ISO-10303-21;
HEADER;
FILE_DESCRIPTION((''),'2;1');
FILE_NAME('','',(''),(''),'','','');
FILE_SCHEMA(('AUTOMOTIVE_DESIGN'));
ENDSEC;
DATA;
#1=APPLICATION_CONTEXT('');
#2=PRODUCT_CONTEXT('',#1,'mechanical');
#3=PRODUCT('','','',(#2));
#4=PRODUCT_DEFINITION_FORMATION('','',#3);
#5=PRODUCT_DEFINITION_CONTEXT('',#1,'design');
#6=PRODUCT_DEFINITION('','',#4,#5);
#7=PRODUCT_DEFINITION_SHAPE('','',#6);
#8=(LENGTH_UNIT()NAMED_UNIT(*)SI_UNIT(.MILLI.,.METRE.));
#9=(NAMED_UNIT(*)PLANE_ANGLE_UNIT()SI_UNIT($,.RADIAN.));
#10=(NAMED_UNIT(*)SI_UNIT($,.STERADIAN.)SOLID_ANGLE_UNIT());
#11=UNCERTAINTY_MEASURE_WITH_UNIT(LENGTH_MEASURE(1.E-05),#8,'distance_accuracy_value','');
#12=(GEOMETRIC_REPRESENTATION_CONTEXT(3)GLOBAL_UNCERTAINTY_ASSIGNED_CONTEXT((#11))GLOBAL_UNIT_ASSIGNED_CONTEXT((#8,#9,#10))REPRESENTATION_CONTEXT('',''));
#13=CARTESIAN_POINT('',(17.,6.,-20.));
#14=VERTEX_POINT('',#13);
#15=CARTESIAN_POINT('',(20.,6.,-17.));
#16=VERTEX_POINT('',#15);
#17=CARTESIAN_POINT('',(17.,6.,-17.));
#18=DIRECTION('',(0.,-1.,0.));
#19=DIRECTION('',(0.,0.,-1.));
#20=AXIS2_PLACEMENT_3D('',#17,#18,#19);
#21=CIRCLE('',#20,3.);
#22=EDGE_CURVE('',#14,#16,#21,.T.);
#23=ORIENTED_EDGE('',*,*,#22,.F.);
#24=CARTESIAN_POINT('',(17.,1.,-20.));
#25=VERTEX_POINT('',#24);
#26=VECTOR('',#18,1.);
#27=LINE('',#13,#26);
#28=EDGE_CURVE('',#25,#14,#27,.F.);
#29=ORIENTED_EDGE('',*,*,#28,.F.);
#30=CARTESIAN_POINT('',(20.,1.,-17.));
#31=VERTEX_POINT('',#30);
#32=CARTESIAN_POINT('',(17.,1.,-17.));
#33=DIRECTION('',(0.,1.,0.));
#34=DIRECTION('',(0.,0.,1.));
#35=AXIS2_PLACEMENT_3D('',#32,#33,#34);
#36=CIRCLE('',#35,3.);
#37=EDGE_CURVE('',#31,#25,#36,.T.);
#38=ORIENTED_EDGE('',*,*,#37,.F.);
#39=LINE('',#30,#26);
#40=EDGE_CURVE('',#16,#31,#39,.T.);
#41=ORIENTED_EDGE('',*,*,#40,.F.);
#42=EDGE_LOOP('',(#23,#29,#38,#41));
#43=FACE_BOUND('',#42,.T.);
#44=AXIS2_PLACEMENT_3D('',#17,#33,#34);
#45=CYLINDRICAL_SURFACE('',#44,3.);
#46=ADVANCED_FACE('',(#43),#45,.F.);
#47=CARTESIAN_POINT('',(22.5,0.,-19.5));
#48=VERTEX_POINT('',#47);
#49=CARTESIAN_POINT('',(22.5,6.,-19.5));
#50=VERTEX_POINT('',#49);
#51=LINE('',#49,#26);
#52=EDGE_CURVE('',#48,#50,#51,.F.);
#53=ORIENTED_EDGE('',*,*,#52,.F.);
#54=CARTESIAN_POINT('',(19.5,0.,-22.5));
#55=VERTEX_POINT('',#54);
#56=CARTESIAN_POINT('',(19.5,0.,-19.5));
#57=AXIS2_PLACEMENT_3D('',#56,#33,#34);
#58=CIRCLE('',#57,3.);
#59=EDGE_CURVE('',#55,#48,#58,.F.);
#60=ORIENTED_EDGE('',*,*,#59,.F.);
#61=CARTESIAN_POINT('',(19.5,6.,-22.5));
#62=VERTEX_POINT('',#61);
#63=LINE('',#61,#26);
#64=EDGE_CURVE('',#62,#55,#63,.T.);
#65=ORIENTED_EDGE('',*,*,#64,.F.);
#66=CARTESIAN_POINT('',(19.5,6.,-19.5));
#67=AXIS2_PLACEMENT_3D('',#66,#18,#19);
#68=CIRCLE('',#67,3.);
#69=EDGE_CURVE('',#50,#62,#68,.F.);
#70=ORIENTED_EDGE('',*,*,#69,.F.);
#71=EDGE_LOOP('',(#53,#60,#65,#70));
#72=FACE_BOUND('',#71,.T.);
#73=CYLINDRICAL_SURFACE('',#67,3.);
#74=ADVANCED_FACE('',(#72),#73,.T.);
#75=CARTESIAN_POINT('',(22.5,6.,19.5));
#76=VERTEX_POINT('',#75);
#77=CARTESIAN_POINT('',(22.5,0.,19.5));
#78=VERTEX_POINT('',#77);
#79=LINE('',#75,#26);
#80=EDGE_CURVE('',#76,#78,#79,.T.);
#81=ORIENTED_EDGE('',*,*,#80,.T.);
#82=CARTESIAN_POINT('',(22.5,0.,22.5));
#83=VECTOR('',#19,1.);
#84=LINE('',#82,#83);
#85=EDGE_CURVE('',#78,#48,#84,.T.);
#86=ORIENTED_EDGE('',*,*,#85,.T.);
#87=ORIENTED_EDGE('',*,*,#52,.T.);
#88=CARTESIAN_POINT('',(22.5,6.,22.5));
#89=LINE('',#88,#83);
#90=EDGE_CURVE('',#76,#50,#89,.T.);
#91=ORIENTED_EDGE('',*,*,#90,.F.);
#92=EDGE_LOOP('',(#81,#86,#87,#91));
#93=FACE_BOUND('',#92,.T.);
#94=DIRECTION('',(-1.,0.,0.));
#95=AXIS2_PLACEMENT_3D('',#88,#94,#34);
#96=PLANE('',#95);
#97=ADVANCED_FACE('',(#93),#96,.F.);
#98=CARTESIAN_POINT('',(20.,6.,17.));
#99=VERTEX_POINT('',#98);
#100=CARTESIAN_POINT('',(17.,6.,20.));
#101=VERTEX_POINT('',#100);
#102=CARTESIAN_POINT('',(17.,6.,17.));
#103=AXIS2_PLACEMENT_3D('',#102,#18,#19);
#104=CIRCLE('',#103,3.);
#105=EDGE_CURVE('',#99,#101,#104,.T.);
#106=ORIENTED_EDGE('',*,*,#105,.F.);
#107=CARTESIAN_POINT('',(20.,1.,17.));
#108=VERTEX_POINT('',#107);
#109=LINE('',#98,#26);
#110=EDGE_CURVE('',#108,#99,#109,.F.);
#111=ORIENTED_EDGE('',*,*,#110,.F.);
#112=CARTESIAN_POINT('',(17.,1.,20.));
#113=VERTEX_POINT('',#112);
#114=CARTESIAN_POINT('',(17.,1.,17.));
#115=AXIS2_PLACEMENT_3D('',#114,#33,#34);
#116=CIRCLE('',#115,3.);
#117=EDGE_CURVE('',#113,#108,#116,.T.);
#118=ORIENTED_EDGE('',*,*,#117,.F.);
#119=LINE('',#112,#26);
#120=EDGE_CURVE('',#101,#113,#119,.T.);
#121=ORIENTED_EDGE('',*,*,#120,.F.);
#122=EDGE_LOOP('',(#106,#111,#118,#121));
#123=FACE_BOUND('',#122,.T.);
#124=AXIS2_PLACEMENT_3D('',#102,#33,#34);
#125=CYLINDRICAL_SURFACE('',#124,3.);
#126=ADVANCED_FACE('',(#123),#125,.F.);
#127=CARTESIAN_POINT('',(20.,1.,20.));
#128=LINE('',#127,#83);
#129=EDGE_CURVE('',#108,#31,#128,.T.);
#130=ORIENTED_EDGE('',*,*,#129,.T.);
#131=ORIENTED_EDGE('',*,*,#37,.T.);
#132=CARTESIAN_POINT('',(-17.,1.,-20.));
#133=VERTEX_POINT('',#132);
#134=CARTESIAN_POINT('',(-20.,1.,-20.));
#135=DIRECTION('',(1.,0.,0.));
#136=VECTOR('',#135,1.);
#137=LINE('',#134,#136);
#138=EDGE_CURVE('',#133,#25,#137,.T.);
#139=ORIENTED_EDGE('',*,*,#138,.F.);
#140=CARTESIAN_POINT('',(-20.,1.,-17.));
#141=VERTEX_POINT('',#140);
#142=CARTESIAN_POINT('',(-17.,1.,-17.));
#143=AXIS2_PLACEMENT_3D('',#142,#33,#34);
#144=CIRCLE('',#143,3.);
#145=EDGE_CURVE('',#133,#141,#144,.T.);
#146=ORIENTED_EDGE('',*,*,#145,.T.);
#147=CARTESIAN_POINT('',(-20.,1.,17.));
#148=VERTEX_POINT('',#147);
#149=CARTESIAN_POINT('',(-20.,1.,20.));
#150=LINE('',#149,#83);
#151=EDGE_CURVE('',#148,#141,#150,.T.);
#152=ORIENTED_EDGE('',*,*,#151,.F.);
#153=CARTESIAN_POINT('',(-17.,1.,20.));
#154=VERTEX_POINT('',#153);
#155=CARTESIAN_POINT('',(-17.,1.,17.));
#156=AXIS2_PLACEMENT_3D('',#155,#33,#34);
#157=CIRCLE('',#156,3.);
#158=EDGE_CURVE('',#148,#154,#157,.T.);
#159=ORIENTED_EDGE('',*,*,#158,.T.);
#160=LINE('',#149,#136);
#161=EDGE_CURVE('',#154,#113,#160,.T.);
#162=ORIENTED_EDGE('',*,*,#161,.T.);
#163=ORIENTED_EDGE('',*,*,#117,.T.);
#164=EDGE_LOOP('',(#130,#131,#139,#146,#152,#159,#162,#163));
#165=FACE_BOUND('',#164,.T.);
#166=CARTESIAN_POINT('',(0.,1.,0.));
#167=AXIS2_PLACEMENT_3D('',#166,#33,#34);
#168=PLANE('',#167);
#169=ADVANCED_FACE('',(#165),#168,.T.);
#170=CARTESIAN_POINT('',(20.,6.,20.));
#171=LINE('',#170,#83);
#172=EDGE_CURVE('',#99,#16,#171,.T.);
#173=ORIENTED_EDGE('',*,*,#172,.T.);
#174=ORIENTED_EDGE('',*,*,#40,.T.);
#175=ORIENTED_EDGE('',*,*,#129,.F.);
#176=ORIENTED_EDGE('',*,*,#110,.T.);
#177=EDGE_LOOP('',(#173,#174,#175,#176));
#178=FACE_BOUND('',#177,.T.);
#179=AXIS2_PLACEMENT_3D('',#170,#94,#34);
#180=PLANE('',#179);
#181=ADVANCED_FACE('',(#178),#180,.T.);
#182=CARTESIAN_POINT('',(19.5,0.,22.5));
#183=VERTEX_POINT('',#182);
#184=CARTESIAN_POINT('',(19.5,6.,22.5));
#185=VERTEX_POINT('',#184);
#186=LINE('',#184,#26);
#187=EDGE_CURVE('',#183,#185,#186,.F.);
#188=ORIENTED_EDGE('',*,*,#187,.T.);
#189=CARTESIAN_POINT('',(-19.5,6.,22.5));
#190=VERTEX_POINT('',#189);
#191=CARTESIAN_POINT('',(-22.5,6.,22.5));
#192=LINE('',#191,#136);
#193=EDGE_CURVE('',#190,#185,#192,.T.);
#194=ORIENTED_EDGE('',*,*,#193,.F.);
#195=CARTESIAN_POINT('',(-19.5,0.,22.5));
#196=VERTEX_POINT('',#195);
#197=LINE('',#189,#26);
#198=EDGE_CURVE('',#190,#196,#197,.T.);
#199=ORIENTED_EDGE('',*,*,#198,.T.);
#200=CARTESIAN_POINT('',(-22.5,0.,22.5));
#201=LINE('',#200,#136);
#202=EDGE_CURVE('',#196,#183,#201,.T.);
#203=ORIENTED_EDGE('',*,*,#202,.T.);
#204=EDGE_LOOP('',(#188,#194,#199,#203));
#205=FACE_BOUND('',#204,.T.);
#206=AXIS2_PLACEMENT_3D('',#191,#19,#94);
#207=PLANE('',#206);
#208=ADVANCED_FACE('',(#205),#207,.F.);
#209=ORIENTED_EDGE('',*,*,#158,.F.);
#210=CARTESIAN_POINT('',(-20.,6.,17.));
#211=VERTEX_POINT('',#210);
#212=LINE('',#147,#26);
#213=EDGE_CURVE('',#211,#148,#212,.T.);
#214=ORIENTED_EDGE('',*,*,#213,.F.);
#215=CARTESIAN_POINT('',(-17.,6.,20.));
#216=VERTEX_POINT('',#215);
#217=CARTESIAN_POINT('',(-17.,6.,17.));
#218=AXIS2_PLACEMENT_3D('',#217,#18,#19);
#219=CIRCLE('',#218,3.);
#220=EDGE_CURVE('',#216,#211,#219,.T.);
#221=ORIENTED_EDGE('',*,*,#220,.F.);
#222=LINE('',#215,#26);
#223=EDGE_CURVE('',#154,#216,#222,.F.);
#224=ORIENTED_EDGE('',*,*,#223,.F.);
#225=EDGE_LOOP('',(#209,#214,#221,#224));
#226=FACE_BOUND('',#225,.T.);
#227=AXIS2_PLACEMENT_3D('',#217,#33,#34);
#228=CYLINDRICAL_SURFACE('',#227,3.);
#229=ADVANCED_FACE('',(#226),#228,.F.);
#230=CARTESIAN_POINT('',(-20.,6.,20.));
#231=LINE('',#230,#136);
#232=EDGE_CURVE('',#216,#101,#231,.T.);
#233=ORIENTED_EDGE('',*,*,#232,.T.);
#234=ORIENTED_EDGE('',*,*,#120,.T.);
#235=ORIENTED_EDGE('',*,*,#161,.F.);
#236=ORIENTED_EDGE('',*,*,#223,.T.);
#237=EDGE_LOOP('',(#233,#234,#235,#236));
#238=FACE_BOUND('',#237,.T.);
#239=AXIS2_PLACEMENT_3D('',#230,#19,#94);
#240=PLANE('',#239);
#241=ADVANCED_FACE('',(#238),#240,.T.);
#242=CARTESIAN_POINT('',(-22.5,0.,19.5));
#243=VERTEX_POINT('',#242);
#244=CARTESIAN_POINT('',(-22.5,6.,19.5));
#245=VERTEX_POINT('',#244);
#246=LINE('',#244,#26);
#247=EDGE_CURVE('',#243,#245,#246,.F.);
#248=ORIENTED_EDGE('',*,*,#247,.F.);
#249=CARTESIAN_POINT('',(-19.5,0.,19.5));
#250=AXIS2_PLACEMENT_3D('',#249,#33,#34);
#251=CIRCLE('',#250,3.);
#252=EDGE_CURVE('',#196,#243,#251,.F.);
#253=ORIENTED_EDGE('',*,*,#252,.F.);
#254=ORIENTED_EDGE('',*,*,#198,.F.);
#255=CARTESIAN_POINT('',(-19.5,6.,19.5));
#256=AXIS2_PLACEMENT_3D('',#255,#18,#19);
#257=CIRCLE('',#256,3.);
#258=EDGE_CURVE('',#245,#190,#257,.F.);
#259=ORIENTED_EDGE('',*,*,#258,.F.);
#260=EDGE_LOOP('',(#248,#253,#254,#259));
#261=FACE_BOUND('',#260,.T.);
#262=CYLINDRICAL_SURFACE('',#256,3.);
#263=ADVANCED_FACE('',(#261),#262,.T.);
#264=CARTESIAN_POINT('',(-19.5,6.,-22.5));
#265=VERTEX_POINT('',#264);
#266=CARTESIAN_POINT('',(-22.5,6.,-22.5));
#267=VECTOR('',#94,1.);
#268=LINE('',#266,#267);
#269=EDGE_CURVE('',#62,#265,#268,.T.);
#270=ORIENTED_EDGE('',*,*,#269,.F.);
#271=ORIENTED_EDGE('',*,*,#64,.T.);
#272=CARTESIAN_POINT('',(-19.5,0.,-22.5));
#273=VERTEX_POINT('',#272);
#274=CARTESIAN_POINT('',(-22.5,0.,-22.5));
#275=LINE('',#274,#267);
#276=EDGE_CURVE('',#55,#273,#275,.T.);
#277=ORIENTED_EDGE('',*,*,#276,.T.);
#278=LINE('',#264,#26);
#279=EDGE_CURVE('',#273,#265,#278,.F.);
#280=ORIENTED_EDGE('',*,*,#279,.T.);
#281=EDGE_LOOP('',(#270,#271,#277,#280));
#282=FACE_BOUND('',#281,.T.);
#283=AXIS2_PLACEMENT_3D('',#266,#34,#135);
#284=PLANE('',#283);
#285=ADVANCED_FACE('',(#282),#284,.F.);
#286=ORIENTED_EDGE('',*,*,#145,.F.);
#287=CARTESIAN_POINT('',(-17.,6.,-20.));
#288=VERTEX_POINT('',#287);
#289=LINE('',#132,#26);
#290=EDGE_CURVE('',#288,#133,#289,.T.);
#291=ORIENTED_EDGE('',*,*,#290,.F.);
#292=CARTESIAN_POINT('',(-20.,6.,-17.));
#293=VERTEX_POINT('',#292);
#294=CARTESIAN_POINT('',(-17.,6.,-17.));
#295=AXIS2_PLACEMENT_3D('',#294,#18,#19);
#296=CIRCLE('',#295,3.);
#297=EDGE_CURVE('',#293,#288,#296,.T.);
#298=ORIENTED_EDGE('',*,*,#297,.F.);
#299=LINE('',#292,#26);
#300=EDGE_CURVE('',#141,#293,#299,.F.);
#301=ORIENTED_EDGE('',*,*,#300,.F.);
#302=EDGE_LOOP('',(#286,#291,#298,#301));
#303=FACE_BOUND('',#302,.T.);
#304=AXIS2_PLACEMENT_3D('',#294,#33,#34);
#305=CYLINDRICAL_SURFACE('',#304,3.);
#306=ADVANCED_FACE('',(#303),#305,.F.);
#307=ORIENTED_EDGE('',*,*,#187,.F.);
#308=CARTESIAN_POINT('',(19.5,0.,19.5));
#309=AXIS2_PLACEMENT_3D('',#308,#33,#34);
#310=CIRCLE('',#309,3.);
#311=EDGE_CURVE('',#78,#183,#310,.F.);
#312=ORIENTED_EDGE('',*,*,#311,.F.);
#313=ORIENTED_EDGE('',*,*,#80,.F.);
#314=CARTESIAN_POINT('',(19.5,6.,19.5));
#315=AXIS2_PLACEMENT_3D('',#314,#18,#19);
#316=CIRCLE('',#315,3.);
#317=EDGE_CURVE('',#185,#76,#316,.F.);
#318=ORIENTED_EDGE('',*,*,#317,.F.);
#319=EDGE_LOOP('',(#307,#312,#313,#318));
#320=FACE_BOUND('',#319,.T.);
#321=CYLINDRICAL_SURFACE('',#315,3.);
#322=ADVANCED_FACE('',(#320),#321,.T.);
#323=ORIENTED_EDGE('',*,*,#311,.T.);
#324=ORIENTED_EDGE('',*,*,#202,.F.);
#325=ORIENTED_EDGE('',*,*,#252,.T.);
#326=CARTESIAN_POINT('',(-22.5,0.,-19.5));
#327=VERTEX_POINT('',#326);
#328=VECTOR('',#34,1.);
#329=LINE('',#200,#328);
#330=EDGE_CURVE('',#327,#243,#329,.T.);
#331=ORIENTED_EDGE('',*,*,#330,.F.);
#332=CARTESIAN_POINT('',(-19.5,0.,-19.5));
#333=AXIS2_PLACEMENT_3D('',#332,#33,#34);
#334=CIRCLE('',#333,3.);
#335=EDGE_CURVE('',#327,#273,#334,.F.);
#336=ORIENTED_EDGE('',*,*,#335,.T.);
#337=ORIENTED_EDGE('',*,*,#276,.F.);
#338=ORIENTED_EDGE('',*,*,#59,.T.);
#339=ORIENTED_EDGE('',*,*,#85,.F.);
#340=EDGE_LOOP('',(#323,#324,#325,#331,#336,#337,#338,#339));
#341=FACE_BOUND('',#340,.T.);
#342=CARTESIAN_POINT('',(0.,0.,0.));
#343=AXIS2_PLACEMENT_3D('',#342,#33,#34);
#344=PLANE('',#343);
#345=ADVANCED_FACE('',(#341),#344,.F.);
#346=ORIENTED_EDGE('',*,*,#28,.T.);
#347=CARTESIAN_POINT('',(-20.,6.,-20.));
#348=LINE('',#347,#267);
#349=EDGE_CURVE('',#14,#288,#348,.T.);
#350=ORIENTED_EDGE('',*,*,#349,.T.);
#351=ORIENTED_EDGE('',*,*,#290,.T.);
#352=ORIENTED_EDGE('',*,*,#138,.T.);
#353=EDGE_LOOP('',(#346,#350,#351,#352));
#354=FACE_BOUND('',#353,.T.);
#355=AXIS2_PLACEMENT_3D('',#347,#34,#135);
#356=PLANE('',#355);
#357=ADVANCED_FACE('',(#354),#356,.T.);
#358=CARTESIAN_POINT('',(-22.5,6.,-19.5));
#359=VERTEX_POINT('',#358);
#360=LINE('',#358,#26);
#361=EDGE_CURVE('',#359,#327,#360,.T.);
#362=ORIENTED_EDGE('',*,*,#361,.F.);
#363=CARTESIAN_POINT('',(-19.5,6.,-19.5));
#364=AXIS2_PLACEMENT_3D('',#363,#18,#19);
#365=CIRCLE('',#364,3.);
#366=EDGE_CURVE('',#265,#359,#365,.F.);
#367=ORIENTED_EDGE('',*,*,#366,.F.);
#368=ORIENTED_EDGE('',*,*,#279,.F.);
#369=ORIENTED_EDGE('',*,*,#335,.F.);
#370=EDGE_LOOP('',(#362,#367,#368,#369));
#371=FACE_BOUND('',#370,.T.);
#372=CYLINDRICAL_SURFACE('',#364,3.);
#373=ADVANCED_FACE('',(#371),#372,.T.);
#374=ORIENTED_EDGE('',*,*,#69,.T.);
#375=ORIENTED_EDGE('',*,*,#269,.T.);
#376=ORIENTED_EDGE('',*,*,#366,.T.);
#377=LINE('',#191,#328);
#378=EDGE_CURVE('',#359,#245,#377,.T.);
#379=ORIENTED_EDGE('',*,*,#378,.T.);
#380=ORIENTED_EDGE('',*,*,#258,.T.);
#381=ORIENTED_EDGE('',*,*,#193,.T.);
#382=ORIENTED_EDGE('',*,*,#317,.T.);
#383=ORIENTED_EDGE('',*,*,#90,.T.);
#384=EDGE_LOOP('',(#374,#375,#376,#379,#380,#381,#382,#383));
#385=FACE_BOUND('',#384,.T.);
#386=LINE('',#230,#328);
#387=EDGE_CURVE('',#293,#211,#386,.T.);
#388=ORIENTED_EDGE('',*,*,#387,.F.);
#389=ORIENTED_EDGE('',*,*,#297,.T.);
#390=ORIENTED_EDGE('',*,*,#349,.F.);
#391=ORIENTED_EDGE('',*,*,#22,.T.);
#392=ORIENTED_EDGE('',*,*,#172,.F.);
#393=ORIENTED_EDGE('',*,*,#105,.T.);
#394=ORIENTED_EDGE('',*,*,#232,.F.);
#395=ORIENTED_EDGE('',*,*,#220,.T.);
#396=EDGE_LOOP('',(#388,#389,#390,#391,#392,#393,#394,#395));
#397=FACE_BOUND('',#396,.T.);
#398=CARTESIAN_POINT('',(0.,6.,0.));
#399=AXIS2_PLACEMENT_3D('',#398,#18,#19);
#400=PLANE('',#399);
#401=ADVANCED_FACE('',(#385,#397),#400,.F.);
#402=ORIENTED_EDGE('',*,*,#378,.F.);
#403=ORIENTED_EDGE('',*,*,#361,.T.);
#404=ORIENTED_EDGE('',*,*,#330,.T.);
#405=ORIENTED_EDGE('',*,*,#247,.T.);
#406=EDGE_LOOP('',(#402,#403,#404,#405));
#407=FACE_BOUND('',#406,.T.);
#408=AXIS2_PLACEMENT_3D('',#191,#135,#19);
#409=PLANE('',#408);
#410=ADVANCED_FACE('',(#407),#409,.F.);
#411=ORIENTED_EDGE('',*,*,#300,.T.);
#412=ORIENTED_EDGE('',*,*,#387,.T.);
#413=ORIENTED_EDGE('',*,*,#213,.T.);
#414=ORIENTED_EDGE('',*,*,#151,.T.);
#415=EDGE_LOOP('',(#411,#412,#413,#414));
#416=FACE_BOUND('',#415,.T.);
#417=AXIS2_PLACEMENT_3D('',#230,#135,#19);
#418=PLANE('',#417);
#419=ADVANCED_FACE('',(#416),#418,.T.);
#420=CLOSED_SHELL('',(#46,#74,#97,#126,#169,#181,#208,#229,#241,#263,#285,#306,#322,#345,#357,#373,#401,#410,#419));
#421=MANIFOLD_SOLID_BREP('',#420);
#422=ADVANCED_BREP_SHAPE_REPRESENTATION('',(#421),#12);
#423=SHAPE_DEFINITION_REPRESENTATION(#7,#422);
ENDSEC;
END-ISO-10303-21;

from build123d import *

# Parameters (mm, degrees)
SKETCH1_W           = 40
SKETCH1_H           = 40
BOSS_EXTRUDE1_DEPTH = 1
SKETCH1_3_W         = 45
SKETCH1_3_H         = 45
SKETCH1_3_W_2       = 40
SKETCH1_3_H_2       = 40
BOSS_EXTRUDE2_DEPTH = 6
FILLET1_R           = 3


with BuildPart() as part:
    # Sketch1 → Boss-Extrude1 (new body)
    with BuildSketch(Plane(origin=(0, 0, 0), x_dir=(1, 0, 0), z_dir=(0, 1, 0))):
        Rectangle(SKETCH1_W, SKETCH1_H)
    extrude(amount=BOSS_EXTRUDE1_DEPTH)

    # Sketch1<3> → Boss-Extrude2 (add)
    with BuildSketch(Plane(origin=(0, 0, 0), x_dir=(1, 0, 0), z_dir=(0, 1, 0))):
        Rectangle(SKETCH1_3_W, SKETCH1_3_H)
        Rectangle(SKETCH1_3_W_2, SKETCH1_3_H_2, mode=Mode.SUBTRACT)
    extrude(amount=BOSS_EXTRUDE2_DEPTH)

    # Fillet1
    fillet1_edges = [part.edges().sort_by_distance(p)[0] for p in [
        (22.5, 3, 22.5),
        (22.5, 3, -22.5),
        (-22.5, 3, -22.5),
        (-22.5, 3, 22.5),
        (20, 3.5, -20),
        (-20, 3.5, -20),
        (-20, 3.5, 20),
        (20, 3.5, 20),
    ]]
    fillet(fillet1_edges, radius=FILLET1_R)


solid = part.part
